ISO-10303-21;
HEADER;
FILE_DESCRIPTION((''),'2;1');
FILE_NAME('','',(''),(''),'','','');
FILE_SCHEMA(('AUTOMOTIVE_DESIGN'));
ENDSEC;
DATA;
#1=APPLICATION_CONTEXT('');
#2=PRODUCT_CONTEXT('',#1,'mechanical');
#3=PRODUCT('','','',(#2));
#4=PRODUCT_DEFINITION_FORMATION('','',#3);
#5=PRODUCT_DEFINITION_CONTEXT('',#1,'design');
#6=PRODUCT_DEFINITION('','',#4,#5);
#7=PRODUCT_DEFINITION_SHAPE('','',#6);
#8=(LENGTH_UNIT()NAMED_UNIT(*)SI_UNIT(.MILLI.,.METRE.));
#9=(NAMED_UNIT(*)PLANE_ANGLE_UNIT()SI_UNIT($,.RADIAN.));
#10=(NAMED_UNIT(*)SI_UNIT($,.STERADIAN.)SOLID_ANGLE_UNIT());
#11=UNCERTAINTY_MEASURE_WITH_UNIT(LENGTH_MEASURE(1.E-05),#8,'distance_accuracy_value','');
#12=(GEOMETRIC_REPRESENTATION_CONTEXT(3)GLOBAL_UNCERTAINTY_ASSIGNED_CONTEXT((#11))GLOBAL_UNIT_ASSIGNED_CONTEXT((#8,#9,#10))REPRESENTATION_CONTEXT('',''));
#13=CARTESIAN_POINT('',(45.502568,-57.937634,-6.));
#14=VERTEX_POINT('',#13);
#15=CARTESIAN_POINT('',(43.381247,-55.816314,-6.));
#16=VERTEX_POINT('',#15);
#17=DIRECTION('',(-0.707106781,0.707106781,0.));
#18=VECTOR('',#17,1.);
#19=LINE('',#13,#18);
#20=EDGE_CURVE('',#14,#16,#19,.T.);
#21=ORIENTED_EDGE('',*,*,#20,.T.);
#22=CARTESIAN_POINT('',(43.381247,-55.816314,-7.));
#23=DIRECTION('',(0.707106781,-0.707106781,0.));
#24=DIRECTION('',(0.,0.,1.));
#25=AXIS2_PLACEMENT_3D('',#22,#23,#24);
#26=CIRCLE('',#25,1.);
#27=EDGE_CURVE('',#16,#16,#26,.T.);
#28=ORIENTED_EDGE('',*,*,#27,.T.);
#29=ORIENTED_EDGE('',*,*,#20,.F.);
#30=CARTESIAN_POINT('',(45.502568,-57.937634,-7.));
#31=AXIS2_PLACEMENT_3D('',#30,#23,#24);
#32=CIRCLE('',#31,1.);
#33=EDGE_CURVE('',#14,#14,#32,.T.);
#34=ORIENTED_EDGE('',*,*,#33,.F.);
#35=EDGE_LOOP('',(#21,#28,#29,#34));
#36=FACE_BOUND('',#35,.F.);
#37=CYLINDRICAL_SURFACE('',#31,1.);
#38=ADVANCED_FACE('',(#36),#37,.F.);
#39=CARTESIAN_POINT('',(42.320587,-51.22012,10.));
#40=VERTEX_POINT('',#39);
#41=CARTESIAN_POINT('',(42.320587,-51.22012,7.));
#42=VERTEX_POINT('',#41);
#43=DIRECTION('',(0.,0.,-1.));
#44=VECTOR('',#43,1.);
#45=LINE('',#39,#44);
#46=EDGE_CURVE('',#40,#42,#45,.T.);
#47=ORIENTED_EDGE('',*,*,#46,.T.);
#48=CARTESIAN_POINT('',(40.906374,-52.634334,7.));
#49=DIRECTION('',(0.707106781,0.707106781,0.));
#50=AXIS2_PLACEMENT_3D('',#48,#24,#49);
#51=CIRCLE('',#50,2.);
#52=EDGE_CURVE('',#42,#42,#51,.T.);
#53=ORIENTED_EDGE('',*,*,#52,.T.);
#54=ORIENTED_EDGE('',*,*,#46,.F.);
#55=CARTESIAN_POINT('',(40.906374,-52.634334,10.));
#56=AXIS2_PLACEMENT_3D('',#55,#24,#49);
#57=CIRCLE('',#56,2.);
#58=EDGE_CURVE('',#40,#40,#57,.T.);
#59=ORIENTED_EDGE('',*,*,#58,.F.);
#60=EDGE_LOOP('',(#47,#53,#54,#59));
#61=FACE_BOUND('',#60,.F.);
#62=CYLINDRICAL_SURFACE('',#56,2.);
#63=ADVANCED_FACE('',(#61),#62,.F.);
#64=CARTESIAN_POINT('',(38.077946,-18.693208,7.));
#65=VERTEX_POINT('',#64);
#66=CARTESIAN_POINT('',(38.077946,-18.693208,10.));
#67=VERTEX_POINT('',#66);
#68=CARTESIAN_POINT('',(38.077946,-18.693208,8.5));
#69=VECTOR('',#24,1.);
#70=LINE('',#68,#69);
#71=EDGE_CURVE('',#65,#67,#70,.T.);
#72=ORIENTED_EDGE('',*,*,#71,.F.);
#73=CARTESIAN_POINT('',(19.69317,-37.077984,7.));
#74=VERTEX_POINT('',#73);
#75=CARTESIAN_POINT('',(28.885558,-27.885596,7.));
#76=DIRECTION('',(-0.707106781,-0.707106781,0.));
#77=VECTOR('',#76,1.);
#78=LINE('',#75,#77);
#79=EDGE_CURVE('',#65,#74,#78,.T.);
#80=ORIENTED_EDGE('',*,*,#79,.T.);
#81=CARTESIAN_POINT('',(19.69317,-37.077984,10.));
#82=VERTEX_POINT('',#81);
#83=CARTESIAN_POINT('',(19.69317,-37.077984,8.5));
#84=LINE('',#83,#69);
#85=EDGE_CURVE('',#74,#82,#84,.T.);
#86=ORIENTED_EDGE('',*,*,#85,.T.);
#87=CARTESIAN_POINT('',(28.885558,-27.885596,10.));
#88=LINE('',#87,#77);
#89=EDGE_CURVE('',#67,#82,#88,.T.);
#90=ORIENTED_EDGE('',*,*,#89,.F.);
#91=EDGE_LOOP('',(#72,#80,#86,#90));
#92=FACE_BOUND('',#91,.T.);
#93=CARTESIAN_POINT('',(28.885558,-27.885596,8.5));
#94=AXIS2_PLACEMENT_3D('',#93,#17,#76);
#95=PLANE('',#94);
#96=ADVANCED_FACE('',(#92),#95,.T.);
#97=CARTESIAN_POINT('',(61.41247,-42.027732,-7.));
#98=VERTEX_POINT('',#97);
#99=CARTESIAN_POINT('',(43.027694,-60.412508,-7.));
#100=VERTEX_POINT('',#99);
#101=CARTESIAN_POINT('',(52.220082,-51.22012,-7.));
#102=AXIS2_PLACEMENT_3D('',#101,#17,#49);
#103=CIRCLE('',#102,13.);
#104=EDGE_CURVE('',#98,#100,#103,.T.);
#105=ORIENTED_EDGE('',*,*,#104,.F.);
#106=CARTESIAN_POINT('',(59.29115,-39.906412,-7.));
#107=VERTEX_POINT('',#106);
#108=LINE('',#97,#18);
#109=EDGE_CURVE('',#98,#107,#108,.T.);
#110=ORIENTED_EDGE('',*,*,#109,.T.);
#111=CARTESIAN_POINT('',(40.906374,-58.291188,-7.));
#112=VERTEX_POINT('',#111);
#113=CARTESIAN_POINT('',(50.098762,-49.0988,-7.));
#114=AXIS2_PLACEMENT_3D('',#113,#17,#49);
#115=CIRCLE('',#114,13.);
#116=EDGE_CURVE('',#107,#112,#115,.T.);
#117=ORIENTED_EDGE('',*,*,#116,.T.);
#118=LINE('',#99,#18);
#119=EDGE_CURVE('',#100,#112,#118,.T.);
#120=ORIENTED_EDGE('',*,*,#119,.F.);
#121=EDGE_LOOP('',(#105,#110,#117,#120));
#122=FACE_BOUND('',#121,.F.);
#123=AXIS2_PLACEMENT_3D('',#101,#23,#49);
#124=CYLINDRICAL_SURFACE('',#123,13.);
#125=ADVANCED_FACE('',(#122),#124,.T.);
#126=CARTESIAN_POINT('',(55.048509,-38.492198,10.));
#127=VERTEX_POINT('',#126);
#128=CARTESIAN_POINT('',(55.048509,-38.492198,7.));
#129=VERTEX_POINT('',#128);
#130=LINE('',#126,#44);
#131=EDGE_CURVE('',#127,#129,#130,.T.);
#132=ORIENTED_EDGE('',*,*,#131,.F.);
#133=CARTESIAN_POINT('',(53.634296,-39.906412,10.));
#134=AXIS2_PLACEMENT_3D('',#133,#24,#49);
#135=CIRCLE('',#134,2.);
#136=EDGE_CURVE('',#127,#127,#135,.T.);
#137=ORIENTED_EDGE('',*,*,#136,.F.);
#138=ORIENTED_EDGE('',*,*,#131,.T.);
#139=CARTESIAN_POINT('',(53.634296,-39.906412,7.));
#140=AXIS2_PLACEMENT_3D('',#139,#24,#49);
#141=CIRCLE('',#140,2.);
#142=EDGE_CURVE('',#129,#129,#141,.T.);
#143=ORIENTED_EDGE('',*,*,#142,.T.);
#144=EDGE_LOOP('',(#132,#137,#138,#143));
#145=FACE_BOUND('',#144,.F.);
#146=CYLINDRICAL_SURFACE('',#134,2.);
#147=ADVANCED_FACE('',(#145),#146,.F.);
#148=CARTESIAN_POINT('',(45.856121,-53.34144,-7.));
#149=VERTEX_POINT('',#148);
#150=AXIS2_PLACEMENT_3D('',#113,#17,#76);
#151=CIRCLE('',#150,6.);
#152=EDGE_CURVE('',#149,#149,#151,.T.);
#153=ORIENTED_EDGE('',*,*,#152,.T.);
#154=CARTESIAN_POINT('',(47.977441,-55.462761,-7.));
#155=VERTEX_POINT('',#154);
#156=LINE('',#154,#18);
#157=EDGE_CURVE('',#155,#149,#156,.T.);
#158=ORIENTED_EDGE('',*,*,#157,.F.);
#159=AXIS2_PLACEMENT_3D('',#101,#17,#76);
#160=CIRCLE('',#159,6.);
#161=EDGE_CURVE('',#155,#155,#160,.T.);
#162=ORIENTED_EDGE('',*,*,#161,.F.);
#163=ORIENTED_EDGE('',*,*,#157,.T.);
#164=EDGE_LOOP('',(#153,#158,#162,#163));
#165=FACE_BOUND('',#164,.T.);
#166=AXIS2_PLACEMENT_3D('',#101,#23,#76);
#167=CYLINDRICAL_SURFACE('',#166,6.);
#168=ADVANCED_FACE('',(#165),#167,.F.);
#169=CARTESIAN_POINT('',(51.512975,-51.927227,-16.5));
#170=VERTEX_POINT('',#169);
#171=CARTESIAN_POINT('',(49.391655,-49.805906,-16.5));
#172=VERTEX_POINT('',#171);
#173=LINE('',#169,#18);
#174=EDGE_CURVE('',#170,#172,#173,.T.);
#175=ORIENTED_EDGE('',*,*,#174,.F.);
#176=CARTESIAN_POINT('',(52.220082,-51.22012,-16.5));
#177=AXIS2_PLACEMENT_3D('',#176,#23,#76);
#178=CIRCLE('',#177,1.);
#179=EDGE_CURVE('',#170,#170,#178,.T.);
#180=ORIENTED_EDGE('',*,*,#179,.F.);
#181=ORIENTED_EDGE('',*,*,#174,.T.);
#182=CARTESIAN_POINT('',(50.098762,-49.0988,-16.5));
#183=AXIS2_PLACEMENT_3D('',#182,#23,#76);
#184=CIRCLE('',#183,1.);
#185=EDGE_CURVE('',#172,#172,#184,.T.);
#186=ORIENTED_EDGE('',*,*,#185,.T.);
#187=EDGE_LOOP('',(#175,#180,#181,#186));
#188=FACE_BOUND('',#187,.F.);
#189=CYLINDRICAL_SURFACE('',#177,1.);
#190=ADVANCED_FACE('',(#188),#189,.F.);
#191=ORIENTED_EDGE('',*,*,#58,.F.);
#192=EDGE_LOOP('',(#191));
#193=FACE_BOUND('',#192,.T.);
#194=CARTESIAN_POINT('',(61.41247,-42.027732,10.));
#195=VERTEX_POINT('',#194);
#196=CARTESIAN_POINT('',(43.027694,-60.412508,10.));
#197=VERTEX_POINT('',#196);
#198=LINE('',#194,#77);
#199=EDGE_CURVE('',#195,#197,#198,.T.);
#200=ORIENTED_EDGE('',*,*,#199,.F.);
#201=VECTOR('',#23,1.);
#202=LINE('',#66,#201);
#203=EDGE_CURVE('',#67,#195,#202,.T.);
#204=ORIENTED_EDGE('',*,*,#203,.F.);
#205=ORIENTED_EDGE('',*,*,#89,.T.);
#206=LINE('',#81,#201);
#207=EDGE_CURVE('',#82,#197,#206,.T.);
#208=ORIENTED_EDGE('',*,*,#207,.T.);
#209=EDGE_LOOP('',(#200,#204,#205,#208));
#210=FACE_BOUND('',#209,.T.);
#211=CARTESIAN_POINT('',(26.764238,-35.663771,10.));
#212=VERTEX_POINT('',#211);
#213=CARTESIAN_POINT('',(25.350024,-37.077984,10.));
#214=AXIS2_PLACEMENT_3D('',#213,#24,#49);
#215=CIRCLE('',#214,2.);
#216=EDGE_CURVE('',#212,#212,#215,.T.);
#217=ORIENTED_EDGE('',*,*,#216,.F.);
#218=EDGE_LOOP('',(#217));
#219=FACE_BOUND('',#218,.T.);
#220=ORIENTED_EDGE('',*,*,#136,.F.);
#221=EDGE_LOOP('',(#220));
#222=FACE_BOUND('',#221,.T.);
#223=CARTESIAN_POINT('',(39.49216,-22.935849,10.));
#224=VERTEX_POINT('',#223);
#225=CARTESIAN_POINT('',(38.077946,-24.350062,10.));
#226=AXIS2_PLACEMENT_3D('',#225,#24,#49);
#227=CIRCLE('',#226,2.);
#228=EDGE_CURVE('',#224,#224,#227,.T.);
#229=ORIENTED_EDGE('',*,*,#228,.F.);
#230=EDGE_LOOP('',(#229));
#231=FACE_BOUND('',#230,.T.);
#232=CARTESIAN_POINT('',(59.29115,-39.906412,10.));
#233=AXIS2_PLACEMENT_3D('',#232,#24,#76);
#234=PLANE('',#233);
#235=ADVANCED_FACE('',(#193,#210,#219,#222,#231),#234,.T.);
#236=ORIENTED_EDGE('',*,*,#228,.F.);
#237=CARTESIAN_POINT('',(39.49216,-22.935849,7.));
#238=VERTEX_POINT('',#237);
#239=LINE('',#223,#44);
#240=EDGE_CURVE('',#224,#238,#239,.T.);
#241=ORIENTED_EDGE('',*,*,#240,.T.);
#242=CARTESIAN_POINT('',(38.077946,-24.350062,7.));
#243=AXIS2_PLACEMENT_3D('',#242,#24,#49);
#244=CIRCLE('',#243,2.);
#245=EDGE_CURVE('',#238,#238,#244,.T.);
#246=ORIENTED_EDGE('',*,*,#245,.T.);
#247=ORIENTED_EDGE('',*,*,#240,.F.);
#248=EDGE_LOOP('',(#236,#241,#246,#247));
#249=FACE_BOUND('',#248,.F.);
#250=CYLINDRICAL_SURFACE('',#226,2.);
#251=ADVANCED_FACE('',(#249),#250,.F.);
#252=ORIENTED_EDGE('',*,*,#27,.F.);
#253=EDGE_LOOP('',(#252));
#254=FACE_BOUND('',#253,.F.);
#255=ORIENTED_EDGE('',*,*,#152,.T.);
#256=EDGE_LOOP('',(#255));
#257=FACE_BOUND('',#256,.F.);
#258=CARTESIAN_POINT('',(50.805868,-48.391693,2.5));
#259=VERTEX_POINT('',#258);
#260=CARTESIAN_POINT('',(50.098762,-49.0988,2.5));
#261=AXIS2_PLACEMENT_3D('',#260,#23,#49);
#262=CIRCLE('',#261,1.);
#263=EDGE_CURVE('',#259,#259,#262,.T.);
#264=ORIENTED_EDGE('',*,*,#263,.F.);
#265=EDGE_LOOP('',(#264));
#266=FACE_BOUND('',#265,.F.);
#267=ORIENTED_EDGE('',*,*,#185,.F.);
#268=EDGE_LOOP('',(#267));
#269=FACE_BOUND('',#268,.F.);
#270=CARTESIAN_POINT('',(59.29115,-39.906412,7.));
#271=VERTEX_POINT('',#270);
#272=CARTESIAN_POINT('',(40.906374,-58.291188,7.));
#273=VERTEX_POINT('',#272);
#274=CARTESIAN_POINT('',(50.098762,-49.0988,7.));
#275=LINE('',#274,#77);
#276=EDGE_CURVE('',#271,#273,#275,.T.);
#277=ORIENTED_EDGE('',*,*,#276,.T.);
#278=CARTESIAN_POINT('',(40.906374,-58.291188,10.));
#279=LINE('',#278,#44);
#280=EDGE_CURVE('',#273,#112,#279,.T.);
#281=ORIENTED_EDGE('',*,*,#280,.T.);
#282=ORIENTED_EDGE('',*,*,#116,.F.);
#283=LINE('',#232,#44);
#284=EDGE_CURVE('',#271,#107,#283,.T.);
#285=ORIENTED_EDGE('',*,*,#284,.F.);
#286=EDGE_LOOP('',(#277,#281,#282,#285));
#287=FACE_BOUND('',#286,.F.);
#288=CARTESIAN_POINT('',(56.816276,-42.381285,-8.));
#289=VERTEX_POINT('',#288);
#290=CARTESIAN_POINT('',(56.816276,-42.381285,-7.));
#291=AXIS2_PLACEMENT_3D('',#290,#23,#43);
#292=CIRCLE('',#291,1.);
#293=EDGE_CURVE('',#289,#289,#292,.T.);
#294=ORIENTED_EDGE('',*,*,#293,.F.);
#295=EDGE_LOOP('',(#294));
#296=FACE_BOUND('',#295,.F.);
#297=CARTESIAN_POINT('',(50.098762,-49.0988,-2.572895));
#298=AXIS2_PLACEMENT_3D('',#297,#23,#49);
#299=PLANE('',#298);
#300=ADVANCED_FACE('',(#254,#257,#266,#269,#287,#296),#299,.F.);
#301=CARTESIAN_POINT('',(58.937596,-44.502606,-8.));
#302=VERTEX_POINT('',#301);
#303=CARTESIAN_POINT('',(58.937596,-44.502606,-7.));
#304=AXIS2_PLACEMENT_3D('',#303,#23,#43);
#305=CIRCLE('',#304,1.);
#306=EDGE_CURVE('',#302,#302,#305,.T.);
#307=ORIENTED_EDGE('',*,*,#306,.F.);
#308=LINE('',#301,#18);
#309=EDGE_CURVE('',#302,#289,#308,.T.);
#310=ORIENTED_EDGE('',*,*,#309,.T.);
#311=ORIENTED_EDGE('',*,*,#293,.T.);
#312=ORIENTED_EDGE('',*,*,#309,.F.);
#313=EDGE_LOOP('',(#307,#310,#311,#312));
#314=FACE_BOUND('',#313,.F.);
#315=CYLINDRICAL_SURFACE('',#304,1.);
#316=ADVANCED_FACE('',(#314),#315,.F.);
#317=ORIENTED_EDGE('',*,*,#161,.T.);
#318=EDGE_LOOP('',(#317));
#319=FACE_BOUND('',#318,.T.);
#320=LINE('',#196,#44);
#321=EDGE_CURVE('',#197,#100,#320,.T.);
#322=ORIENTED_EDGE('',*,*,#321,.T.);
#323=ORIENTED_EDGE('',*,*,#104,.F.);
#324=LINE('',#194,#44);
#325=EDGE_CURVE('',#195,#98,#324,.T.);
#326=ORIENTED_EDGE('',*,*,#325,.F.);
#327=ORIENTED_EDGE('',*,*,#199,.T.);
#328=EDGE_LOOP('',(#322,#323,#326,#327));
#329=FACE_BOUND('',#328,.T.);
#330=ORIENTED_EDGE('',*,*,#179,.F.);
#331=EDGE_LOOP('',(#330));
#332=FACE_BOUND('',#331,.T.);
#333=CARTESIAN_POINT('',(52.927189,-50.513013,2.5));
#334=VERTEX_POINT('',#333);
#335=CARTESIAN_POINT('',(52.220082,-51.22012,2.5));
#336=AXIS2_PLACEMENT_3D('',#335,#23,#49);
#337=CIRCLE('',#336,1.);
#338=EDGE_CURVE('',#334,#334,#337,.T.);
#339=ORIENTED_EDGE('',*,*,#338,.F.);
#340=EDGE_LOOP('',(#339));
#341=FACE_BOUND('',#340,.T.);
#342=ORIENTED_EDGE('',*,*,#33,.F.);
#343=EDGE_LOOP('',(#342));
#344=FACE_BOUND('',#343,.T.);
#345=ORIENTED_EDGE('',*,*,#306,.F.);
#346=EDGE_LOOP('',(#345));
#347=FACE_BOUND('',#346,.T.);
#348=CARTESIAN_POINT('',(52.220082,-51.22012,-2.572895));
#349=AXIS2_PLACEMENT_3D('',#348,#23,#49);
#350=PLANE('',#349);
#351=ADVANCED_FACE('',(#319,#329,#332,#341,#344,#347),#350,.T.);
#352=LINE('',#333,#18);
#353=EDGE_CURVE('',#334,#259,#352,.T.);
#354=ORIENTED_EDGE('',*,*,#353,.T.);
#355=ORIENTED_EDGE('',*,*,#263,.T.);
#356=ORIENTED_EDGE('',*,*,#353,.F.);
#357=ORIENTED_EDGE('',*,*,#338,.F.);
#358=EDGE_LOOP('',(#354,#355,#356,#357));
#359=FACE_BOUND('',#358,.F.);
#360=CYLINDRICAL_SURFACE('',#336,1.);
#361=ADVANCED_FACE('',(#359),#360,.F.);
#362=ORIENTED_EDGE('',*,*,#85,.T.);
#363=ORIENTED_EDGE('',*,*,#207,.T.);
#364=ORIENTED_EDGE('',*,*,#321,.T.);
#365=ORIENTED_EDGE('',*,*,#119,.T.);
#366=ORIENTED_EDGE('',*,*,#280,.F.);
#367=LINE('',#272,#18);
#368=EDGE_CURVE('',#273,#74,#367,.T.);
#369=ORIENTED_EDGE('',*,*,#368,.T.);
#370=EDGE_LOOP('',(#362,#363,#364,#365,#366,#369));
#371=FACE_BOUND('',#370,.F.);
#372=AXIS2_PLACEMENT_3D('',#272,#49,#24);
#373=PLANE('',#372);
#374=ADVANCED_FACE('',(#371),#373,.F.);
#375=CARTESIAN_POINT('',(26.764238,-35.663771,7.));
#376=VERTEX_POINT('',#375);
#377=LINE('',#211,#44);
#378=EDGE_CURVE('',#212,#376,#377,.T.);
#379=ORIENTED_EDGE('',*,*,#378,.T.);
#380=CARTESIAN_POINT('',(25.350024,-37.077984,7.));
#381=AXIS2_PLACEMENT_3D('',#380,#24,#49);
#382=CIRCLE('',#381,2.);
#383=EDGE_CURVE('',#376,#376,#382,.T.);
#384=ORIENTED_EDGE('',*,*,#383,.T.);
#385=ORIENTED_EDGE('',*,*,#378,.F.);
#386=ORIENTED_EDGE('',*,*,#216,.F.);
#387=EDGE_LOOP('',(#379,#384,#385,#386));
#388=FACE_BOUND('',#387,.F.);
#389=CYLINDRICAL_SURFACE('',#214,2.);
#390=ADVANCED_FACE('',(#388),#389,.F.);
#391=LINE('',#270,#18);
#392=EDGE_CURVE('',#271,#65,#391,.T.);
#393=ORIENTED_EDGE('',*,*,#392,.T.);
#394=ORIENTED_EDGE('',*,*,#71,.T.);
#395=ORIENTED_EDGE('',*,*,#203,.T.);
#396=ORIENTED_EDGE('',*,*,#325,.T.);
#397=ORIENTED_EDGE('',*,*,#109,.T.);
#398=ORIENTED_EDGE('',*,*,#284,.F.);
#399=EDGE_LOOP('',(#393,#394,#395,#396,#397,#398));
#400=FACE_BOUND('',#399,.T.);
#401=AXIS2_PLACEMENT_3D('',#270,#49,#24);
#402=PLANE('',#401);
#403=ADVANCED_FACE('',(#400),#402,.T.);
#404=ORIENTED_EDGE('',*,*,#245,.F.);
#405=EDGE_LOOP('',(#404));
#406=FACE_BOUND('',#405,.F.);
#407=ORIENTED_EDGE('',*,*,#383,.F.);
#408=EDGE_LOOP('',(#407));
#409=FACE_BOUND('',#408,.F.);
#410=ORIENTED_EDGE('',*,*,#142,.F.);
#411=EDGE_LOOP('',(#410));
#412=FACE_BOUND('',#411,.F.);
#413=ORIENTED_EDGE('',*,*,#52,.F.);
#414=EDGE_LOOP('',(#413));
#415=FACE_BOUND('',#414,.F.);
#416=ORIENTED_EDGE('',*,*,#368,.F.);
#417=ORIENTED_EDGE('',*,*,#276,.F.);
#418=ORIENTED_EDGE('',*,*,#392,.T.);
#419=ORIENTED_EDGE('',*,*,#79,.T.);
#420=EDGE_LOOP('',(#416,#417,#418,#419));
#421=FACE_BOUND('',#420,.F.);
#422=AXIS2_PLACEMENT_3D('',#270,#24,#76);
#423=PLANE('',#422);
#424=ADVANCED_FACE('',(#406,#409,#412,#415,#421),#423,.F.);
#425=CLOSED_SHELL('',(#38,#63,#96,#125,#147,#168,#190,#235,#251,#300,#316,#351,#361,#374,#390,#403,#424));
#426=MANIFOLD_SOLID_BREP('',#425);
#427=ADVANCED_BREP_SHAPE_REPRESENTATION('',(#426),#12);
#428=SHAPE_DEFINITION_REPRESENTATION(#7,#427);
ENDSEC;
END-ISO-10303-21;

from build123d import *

# Parameters (mm, degrees)
SKETCH092_R             = 6
PAD066_DEPTH            = 3
SKETCH093_W             = 26
SKETCH093_H             = 3
PAD067_DEPTH            = 30
SKETCH094_R             = 2
POCKET034_DEPTH         = 30.001
SKETCH095_R             = 1
POCKET035_DEPTH         = 136.248276
POLARPATTERN014_COUNT   = 4
BODY040_PLACEMENT_ANGLE = 225


with BuildPart() as part:
    # Sketch092 → Pad066 (new body)
    with BuildSketch(Plane.XZ):
        with BuildLine():
            Line((-13, 17), (13, 17))
            Line((13, 17), (13, 0))
            ThreePointArc((-13, 0), (0, -13), (13, 0))
            Line((-13, 17), (-13, 0))
        make_face()
        Circle(SKETCH092_R, mode=Mode.SUBTRACT)
    extrude(amount=PAD066_DEPTH)

    # Sketch093 (on Face7 of Pad066) → Pad067 (join)
    with BuildSketch(Plane.XZ.offset(3)):
        with Locations((0, 15.5)):
            Rectangle(SKETCH093_W, SKETCH093_H)
    extrude(amount=PAD067_DEPTH)

    # Sketch094 (on Face5 of Pad067) → Pocket034 (cut, through all)
    with BuildSketch(Plane(origin=(0, 0, 17), x_dir=(-1, 0, 0), z_dir=(0, 0, 1))):
        with Locations((-9, 7)):
            Circle(SKETCH094_R)
        with Locations((9, 7)):
            Circle(SKETCH094_R)
        with Locations((-9, 29)):
            Circle(SKETCH094_R)
        with Locations((9, 29)):
            Circle(SKETCH094_R)
    extrude(amount=-POCKET034_DEPTH, mode=Mode.SUBTRACT)

    # Sketch095 (on Face4 of Pocket034) → Pocket035 (cut, through all)
    with BuildSketch(Plane(origin=(0, 0, 0), x_dir=(1, 0, 0), z_dir=(0, 1, 0))):
        with Locations((0, 9.5)):
            Circle(SKETCH095_R)
    pocket035 = extrude(amount=-POCKET035_DEPTH, mode=Mode.SUBTRACT)

    # PolarPattern014: Pocket035 ×4 about axis
    polarpattern014_axis = Axis((0, 0, 0), (0, 1, 0))
    for i in range(1, POLARPATTERN014_COUNT):
        add(pocket035.rotate(polarpattern014_axis, i * 360 / POLARPATTERN014_COUNT), mode=Mode.SUBTRACT)


with BuildPart() as part_1:
    # Body040 placement: moved
    add(part.part.moved(Location((52.220082, -51.22012, -7))).rotate(Axis((52.220082, -51.22012, -7), (0, 0, 1)), BODY040_PLACEMENT_ANGLE))


solid = part_1.part
